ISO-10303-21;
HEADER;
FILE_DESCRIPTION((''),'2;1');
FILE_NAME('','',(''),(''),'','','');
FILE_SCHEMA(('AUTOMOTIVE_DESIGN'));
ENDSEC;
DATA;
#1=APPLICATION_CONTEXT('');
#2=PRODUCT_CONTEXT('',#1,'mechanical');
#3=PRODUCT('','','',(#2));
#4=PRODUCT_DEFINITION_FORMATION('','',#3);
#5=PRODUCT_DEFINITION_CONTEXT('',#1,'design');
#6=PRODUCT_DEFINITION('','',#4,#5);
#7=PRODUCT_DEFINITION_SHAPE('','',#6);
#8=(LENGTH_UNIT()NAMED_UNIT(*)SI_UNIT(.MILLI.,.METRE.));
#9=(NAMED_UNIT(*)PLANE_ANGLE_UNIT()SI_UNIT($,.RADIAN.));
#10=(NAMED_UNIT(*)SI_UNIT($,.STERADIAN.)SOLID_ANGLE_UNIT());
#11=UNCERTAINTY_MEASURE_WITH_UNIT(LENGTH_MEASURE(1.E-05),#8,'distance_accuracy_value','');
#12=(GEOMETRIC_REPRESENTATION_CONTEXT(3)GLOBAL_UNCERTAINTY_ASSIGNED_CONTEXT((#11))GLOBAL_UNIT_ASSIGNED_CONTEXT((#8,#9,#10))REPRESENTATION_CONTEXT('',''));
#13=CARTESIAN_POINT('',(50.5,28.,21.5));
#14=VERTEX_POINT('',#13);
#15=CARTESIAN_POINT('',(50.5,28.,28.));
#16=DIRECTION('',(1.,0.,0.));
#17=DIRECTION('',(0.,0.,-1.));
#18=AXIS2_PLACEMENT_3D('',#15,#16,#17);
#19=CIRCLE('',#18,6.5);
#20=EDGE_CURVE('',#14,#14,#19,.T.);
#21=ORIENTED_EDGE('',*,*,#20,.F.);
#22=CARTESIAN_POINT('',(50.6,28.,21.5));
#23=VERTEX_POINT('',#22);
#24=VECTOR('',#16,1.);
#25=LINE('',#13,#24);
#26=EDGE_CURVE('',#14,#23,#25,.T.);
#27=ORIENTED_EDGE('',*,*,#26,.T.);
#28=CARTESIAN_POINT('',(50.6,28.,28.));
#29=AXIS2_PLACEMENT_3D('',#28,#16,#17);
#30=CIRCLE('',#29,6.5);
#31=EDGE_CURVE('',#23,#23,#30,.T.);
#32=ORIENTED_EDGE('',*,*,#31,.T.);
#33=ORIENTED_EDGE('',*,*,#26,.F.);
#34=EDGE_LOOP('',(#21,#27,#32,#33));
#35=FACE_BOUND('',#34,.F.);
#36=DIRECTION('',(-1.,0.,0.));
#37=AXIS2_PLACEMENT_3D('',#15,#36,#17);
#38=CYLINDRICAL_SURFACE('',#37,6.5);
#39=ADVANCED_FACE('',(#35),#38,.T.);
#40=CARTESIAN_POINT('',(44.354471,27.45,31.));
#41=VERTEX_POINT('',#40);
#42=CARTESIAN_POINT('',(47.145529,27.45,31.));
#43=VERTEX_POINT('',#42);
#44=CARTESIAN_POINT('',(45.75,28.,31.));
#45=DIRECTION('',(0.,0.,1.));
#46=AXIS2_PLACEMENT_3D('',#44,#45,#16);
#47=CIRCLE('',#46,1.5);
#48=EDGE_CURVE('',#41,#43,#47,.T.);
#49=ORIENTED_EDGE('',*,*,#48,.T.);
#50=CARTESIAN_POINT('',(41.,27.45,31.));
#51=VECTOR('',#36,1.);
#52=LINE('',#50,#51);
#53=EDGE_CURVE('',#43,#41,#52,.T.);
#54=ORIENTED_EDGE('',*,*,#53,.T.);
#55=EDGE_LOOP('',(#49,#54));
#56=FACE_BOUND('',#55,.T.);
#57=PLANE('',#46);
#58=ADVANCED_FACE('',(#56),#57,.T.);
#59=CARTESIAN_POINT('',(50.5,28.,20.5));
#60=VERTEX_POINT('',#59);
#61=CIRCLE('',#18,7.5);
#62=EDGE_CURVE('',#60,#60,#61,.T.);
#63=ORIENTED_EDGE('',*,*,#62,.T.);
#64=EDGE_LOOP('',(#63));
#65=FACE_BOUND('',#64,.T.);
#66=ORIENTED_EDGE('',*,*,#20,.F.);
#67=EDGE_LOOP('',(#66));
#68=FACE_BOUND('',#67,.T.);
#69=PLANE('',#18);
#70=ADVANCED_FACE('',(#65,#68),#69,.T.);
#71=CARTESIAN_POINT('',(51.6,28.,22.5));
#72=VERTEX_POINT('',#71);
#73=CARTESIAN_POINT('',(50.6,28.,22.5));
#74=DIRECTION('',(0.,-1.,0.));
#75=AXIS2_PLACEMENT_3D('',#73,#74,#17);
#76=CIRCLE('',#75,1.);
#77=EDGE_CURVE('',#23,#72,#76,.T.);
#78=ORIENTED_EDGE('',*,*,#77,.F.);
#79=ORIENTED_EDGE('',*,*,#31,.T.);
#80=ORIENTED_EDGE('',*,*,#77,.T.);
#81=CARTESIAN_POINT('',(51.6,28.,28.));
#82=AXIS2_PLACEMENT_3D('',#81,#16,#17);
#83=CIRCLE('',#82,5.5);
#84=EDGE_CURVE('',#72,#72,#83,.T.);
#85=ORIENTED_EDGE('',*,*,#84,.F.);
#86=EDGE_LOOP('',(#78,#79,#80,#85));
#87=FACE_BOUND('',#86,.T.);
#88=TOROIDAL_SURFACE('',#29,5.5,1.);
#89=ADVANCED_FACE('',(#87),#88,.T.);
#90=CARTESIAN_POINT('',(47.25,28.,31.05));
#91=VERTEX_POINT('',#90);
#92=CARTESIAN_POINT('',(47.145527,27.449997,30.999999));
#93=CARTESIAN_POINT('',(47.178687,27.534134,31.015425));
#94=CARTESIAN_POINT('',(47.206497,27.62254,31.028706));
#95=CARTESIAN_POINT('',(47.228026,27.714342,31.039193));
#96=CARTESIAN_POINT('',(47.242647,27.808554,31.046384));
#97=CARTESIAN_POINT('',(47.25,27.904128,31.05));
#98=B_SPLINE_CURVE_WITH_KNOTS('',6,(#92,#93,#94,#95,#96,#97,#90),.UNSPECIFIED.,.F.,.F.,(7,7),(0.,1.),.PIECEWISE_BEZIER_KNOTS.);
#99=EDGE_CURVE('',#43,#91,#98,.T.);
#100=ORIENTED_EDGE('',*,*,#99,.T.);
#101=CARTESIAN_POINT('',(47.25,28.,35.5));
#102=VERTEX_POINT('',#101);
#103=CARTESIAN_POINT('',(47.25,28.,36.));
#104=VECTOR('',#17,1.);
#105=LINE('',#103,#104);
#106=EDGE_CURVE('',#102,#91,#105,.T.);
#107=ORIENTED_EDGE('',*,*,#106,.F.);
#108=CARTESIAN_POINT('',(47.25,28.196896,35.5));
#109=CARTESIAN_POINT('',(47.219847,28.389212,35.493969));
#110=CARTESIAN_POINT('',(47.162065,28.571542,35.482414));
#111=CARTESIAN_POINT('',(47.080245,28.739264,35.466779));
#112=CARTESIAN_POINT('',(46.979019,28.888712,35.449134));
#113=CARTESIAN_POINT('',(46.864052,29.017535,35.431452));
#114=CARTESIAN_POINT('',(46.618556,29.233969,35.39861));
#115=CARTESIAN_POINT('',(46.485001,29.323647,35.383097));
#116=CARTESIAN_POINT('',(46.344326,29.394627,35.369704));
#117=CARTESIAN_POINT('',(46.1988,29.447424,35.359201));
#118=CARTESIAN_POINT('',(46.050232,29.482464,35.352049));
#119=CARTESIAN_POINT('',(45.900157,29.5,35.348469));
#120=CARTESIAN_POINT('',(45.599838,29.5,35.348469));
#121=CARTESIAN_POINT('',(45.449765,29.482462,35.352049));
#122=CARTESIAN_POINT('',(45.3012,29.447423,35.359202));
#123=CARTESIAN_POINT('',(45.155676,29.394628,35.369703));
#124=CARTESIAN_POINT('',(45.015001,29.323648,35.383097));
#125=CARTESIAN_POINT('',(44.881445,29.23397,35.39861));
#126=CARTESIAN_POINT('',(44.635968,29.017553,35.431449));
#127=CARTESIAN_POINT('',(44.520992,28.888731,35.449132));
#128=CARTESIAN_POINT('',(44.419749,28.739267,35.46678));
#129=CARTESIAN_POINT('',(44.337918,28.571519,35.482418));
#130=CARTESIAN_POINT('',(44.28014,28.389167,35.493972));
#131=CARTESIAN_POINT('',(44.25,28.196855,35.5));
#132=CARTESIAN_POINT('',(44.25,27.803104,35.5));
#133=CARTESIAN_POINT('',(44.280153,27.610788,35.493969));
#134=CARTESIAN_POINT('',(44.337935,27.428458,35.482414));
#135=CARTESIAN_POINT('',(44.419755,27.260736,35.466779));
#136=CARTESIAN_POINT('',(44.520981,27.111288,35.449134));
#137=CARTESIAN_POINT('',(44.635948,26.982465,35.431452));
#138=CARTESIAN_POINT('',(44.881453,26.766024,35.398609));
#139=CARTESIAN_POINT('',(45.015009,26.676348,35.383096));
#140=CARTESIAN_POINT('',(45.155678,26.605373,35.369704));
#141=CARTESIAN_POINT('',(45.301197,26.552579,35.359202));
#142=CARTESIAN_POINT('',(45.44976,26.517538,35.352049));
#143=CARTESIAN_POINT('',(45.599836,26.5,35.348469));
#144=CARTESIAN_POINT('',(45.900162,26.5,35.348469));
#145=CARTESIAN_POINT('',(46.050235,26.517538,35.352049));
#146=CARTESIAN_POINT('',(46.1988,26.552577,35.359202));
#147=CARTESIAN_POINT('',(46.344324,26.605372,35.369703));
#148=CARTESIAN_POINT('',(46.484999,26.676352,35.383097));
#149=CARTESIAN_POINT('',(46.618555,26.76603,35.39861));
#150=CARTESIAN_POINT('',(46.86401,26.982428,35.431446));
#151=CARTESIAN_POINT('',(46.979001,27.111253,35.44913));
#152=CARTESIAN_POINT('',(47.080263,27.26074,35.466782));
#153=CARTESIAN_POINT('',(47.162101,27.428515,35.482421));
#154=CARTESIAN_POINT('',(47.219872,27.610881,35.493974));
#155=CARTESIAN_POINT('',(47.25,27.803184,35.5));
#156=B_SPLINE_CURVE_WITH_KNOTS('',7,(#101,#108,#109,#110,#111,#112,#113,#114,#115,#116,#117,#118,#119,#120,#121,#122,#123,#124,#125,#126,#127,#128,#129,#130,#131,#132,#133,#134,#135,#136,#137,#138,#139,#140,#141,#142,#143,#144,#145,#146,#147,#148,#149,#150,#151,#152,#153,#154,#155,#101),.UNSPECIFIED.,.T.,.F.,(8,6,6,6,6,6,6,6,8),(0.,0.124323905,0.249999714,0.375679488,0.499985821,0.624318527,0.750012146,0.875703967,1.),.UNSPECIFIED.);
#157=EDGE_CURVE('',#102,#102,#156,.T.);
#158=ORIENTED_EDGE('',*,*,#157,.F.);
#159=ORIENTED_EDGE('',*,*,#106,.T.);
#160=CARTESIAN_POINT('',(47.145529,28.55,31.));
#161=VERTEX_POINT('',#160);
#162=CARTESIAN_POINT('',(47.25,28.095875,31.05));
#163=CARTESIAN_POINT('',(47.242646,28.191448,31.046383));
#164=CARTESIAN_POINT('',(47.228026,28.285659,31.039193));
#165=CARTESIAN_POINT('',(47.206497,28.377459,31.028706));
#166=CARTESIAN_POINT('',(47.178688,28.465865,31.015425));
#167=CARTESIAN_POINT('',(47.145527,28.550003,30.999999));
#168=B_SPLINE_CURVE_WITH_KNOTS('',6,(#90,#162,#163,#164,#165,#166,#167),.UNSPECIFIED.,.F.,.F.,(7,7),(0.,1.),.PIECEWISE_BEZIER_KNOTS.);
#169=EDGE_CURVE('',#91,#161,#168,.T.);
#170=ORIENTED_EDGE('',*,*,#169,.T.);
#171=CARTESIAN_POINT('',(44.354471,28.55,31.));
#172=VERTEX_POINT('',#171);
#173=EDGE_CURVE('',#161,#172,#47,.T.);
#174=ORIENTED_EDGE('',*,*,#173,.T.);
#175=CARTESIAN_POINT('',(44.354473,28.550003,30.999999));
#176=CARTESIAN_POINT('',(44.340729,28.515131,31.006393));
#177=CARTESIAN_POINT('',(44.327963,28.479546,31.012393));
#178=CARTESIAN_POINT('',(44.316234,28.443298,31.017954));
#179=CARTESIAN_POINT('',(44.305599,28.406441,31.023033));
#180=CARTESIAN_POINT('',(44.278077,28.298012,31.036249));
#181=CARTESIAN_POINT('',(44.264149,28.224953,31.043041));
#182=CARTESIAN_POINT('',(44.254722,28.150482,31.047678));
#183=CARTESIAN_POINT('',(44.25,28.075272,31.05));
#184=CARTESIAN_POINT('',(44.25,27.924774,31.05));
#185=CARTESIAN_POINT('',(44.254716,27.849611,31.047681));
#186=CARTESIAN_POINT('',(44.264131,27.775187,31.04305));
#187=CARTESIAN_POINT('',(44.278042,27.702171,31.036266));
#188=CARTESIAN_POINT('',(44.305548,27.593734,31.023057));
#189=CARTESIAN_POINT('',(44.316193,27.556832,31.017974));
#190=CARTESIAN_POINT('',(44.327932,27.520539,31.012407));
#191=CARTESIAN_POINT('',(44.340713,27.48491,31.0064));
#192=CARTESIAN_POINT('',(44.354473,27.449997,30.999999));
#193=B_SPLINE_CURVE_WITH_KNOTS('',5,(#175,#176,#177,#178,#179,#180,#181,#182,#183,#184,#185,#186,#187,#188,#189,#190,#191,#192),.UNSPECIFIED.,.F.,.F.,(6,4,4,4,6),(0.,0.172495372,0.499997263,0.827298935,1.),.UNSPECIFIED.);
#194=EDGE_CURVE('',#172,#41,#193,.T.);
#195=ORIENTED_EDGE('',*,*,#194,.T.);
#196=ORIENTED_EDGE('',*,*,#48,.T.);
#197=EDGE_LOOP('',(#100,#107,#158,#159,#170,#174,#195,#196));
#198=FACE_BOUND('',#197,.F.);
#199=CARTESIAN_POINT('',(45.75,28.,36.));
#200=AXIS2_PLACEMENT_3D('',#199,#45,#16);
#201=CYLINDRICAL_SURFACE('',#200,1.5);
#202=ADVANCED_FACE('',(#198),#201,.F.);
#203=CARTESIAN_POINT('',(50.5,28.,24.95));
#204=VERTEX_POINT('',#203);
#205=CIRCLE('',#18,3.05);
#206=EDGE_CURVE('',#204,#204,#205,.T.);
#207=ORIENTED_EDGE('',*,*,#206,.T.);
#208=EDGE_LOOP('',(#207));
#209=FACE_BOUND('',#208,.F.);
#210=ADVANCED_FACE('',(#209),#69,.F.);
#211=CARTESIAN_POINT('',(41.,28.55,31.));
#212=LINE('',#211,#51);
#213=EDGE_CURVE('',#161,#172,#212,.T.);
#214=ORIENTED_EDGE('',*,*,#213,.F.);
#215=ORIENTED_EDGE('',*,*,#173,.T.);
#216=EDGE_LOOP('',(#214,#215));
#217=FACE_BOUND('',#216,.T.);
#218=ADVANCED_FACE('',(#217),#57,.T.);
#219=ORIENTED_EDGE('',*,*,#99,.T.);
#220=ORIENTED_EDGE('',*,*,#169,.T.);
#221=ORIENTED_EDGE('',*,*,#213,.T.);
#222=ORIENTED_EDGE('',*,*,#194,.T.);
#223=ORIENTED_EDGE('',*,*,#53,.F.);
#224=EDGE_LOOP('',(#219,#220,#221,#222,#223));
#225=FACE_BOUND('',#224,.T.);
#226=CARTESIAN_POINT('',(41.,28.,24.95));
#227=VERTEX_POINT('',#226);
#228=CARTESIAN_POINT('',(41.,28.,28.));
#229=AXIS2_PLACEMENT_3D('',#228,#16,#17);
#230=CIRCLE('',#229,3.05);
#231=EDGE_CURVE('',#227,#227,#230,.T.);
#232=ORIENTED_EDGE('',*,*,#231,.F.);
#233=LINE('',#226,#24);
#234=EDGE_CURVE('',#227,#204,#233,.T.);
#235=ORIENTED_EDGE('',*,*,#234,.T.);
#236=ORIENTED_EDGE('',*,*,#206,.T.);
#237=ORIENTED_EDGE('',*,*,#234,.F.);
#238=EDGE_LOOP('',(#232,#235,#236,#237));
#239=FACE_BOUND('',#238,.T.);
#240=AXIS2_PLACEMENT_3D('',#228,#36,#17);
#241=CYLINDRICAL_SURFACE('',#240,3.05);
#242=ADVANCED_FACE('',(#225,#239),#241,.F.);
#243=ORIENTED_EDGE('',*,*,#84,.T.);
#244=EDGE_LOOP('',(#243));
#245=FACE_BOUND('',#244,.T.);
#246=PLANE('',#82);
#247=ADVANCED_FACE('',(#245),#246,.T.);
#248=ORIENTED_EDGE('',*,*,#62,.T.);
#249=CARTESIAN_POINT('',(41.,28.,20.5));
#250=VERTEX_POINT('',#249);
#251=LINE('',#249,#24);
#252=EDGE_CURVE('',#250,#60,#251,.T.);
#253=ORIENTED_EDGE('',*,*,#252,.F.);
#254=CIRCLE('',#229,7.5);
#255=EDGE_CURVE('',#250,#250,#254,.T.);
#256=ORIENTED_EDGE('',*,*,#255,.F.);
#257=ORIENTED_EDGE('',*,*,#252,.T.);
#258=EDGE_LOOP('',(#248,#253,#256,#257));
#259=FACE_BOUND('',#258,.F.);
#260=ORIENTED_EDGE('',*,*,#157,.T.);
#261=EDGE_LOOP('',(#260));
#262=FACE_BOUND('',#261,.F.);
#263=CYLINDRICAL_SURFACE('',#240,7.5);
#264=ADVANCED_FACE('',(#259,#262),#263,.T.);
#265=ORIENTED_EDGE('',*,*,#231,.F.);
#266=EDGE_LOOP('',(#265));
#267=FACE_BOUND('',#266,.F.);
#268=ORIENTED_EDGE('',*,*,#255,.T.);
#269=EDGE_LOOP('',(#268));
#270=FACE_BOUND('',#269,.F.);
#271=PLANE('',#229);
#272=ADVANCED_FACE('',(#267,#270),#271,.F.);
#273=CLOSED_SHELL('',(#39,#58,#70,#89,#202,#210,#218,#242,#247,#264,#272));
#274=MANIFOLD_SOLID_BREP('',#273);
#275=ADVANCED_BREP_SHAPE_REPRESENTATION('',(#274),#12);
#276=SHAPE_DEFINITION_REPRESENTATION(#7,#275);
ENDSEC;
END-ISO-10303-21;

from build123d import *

# Parameters (mm, degrees)
SKETCH010_R             = 7.5
SKETCH010_R_2           = 3.05
PAD002_DEPTH            = 9.5
SKETCH009_R             = 6.5
PAD003_DEPTH            = 1.1
FILLET001_R             = 1
SKETCH011_R             = 1.5
POCKET001_DEPTH         = 5
BODY001_PLACEMENT_ANGLE = 90


with BuildPart() as part:
    # Sketch010 → Pad002 (new body)
    with BuildSketch(Plane.XY):
        Circle(SKETCH010_R)
        Circle(SKETCH010_R_2, mode=Mode.SUBTRACT)
    extrude(amount=PAD002_DEPTH)

    # Sketch009 (on Face4 of Pad002) → Pad003 (join)
    with BuildSketch(Plane.XY.offset(9.5)):
        Circle(SKETCH009_R)
    extrude(amount=PAD003_DEPTH)

    # Fillet001
    fillet001_edges = [part.edges().sort_by_distance(p)[0] for p in [
        (-6.5, 0, 10.6),
    ]]
    fillet(fillet001_edges, radius=FILLET001_R)

    # Sketch011 (on DatumPlane) → Pocket001 (cut)
    with BuildSketch(Plane(origin=(-8, 0, 4.75), x_dir=(0, 0, 1), z_dir=(-1, 0, 0))):
        Circle(SKETCH011_R)
    extrude(amount=-POCKET001_DEPTH, mode=Mode.SUBTRACT)


with BuildPart() as part_1:
    # Body001 placement: moved
    add(part.part.moved(Location((41, 28, 28))).rotate(Axis((41, 28, 28), (0, 1, 0)), BODY001_PLACEMENT_ANGLE))


solid = part_1.part
